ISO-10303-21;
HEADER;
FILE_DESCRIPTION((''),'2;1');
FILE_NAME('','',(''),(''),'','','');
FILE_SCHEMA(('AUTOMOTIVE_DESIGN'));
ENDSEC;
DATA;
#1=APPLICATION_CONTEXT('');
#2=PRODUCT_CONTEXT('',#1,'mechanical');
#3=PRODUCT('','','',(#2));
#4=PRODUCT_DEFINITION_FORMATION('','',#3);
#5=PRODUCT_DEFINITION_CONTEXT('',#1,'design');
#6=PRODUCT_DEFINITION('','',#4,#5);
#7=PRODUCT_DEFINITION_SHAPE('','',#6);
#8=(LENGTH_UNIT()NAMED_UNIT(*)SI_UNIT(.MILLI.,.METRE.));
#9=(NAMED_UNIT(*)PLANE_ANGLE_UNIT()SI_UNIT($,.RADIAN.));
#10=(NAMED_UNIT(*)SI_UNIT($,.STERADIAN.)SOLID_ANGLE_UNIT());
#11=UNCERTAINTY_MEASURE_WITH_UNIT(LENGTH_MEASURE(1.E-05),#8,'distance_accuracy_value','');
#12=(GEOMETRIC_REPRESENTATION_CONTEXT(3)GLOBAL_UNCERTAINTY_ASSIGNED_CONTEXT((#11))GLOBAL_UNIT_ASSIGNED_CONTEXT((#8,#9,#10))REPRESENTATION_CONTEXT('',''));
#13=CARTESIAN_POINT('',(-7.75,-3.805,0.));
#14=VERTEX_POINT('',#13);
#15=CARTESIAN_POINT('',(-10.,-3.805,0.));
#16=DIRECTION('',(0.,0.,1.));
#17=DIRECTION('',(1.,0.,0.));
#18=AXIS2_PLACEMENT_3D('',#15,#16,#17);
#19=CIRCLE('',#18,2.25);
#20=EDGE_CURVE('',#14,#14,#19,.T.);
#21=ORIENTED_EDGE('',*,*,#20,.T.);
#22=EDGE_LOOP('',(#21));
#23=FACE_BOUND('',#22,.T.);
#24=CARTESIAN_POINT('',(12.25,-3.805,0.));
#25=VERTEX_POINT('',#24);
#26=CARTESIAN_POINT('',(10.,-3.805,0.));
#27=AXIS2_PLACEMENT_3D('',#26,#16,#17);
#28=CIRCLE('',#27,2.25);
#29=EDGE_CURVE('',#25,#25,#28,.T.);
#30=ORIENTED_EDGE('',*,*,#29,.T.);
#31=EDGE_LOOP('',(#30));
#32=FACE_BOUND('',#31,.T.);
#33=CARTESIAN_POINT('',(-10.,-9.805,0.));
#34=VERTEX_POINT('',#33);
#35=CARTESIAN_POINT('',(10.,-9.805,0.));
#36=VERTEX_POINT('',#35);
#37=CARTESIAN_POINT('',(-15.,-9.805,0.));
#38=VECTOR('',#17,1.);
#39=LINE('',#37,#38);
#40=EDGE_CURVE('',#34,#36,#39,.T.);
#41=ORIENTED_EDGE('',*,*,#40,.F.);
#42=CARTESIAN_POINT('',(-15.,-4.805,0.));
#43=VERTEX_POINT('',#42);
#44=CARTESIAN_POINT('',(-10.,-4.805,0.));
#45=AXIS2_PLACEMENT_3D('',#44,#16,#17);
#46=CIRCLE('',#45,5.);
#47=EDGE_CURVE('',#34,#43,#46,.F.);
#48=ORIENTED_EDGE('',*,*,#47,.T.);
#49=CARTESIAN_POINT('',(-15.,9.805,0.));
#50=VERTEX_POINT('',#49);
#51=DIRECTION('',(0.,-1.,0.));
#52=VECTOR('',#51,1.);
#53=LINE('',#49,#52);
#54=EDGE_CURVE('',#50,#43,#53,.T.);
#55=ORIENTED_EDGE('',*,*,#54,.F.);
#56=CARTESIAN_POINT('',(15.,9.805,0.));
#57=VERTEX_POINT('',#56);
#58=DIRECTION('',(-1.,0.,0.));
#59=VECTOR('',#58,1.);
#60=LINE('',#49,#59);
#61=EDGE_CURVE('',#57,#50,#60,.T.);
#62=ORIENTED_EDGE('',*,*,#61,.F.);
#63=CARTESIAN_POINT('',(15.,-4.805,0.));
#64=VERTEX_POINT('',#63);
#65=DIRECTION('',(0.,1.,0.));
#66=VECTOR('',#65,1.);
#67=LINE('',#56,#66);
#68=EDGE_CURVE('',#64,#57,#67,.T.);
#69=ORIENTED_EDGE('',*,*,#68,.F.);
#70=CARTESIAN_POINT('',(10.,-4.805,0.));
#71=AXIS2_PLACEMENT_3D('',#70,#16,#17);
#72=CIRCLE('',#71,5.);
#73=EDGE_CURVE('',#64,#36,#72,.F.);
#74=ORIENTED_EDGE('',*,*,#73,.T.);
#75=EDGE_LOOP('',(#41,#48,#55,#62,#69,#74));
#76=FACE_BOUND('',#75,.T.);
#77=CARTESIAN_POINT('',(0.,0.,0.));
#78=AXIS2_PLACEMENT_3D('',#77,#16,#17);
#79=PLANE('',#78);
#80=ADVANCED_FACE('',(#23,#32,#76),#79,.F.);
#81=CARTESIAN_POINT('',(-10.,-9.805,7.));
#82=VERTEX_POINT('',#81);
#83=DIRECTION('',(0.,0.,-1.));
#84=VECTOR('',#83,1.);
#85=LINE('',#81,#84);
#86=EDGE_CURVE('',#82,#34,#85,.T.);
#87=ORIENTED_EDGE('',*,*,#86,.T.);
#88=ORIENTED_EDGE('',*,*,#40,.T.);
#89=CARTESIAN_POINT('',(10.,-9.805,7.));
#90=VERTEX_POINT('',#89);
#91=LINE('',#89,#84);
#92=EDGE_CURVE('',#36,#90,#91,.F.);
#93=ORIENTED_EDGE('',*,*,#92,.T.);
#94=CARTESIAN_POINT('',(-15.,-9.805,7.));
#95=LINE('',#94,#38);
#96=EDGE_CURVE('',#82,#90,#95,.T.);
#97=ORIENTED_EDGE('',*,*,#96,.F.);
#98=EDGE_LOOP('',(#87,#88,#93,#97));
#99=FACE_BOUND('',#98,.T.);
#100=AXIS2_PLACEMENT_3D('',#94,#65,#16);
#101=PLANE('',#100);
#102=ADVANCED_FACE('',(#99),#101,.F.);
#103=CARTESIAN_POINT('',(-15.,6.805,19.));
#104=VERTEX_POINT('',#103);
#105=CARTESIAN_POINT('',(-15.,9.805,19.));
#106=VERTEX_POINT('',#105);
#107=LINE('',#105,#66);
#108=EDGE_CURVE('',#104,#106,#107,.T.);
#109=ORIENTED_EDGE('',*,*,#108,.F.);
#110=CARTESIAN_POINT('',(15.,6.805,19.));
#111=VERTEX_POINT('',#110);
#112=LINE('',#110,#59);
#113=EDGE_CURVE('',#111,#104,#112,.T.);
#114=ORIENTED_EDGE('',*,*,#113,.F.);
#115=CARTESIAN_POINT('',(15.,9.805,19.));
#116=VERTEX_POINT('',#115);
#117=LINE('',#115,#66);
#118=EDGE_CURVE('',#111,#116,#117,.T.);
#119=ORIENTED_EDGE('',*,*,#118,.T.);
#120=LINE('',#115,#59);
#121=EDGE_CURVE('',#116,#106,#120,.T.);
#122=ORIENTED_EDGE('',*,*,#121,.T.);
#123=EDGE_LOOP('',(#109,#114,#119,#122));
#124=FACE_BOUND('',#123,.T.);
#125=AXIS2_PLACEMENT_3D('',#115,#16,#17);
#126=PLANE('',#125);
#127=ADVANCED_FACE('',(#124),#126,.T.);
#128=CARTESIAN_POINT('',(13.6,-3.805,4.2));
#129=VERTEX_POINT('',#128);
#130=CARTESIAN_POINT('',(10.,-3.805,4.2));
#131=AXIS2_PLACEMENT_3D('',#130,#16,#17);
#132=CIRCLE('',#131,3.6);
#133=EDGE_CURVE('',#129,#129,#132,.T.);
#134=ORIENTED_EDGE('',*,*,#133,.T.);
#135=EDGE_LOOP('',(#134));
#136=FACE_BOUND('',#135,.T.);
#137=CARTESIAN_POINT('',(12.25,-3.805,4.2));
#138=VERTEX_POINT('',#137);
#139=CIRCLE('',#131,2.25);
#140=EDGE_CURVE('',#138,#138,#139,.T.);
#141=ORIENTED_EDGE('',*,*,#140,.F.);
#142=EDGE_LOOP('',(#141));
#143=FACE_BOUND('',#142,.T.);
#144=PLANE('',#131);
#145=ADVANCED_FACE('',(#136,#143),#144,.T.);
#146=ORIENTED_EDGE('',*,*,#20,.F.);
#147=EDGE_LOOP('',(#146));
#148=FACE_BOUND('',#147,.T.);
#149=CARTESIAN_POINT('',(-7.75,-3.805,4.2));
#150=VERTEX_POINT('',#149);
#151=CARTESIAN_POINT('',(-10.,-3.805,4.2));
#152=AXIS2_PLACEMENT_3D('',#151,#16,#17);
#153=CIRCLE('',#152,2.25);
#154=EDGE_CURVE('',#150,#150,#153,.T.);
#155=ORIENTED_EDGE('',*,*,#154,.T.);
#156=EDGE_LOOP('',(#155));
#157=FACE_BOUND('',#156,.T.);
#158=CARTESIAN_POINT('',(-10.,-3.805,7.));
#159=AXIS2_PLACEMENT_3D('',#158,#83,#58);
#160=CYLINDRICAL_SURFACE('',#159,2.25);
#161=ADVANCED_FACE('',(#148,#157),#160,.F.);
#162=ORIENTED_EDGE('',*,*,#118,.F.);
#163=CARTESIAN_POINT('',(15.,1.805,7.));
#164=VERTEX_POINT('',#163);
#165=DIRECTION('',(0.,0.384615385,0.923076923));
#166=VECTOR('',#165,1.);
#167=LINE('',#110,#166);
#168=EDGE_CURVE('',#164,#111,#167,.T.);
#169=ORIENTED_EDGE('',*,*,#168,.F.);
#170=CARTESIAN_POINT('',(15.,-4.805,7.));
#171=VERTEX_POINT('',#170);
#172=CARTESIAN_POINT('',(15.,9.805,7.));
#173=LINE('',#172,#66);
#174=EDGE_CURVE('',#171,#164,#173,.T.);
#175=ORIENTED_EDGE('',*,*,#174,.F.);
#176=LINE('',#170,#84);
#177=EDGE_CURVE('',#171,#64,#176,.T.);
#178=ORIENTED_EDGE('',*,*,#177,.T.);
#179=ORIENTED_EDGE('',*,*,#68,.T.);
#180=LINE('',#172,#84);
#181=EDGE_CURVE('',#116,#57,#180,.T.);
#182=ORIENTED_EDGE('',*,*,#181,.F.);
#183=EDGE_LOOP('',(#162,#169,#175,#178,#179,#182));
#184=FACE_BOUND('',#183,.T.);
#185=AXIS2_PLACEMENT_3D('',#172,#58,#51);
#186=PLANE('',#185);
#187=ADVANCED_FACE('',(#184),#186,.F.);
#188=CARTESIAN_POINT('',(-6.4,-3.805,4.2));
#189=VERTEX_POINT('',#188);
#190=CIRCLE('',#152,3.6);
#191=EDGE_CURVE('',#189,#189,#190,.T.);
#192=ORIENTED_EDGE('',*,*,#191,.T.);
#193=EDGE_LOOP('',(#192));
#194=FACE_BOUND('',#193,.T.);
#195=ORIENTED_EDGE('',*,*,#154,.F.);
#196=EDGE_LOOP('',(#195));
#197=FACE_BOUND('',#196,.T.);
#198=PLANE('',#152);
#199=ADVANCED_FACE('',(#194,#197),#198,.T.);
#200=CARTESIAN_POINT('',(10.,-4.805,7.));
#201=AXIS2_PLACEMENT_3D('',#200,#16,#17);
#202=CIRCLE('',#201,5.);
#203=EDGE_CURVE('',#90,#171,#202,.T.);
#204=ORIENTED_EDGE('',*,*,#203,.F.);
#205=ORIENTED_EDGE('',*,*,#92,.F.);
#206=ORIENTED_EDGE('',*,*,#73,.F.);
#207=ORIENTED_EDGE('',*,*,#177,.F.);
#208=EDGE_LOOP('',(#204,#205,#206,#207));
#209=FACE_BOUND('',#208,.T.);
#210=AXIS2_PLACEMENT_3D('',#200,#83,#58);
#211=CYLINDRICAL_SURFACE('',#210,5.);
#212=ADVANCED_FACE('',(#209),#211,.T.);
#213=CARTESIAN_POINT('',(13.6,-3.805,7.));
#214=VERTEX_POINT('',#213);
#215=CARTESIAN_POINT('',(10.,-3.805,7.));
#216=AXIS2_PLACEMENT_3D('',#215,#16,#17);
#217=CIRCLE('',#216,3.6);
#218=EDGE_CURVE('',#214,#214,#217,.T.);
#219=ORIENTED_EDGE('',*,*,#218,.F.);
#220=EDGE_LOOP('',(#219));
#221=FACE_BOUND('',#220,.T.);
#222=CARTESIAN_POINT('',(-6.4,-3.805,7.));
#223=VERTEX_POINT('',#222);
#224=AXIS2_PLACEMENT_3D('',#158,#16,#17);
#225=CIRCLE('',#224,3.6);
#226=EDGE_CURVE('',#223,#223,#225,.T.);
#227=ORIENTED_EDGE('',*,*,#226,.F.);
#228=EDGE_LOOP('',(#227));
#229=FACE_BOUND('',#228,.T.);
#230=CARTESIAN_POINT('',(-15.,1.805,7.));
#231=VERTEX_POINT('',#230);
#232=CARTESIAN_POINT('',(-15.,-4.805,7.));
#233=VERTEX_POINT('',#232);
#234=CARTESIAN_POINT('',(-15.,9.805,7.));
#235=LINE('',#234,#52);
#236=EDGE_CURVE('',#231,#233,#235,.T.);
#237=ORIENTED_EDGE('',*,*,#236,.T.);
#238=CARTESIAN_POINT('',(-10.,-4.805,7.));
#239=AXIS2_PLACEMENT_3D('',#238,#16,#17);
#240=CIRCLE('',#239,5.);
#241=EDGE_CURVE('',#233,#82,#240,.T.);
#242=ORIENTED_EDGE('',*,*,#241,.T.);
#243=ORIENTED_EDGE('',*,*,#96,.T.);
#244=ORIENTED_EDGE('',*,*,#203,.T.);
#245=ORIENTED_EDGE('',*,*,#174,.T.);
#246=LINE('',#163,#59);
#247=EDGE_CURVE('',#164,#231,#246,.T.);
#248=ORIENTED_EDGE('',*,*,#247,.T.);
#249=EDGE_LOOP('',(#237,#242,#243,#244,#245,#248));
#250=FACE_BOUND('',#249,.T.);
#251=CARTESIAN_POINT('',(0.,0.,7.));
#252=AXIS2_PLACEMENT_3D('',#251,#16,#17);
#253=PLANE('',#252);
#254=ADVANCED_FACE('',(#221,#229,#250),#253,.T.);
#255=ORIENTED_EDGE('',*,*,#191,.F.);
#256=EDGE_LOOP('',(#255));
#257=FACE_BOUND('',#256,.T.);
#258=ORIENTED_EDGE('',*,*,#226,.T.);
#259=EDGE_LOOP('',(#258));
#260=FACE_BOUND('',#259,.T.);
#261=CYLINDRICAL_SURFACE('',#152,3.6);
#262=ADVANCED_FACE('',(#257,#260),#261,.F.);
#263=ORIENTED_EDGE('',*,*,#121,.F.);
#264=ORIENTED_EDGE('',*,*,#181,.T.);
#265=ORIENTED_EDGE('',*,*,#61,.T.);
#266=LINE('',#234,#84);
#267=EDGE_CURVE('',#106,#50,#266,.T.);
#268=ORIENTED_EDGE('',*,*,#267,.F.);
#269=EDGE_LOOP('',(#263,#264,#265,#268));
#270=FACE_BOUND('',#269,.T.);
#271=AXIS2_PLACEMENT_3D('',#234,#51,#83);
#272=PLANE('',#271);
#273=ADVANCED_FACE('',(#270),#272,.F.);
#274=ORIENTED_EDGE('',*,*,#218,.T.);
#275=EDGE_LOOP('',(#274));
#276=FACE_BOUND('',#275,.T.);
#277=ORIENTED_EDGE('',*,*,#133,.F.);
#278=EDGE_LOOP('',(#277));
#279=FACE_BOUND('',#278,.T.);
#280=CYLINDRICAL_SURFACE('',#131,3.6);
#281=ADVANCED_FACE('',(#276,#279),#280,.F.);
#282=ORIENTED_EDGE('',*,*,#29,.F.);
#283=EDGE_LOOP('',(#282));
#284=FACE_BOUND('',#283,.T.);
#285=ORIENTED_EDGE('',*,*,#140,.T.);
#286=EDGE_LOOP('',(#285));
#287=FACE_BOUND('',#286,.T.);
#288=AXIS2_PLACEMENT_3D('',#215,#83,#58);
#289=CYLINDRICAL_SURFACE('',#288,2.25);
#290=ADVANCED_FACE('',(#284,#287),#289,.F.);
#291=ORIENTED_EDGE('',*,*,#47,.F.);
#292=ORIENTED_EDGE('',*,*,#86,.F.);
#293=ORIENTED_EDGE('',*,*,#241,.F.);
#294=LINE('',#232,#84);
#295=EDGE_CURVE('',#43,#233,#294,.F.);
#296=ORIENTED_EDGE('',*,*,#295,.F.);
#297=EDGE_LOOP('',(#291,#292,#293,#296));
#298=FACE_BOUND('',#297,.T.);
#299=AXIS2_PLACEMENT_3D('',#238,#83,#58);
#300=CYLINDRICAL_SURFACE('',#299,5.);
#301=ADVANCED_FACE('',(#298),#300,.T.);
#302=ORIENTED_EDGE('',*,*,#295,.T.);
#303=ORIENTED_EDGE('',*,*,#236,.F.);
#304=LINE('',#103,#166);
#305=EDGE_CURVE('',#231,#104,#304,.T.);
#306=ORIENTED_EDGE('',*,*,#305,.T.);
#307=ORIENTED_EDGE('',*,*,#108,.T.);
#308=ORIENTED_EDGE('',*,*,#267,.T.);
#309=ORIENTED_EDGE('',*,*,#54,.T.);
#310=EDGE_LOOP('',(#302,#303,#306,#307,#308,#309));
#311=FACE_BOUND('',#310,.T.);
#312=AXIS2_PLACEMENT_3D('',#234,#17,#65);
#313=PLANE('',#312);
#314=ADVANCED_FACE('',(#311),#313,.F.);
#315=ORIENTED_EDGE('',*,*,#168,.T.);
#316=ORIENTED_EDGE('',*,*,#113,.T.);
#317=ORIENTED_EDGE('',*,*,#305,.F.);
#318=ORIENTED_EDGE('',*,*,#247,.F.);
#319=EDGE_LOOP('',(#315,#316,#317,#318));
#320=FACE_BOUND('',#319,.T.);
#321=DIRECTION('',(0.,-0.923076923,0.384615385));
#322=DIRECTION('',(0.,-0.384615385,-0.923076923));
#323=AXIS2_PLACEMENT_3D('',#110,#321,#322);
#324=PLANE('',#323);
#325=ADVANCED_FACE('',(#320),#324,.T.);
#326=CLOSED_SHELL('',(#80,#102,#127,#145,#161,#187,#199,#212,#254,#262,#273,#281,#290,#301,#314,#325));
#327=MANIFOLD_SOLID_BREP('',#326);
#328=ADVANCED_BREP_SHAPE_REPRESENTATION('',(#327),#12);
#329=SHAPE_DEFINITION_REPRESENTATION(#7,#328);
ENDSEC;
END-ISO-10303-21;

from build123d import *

# Parameters (mm, degrees)
SKETCH1_W           = 30
SKETCH1_H           = 19.61
SKETCH1_R           = 2.25
BOSS_EXTRUDE1_DEPTH = 7
SKETCH2_R           = 3.6
CUT_EXTRUDE1_DEPTH  = 2.8
FILLET2_R           = 5
BOSS_EXTRUDE2_DEPTH = 30


with BuildPart() as part:
    # Sketch1 → Boss-Extrude1 (new body)
    with BuildSketch(Plane.XY):
        Rectangle(SKETCH1_W, SKETCH1_H)
        with Locations((-10, -3.805)):
            Circle(SKETCH1_R, mode=Mode.SUBTRACT)
        with Locations((10, -3.805)):
            Circle(SKETCH1_R, mode=Mode.SUBTRACT)
    extrude(amount=BOSS_EXTRUDE1_DEPTH)

    # Sketch2 → Cut-Extrude1 (cut)
    with BuildSketch(Plane.XY.offset(7)):
        with Locations((-10, -3.805)):
            Circle(SKETCH2_R)
        with Locations((10, -3.805)):
            Circle(SKETCH2_R)
    extrude(amount=-CUT_EXTRUDE1_DEPTH, mode=Mode.SUBTRACT)

    # Fillet2
    fillet2_edges = [part.edges().sort_by_distance(p)[0] for p in [
        (15, -9.805, 3.5),
        (-15, -9.805, 3.5),
    ]]
    fillet(fillet2_edges, radius=FILLET2_R)

    # Sketch3 → Boss-Extrude2 (add, through all)
    with BuildSketch(Plane.ZY.offset(15)):
        Polygon((7, 1.805), (7, 9.805), (19, 9.805), (19, 6.805), align=None)
    extrude(amount=-BOSS_EXTRUDE2_DEPTH)


solid = part.part
